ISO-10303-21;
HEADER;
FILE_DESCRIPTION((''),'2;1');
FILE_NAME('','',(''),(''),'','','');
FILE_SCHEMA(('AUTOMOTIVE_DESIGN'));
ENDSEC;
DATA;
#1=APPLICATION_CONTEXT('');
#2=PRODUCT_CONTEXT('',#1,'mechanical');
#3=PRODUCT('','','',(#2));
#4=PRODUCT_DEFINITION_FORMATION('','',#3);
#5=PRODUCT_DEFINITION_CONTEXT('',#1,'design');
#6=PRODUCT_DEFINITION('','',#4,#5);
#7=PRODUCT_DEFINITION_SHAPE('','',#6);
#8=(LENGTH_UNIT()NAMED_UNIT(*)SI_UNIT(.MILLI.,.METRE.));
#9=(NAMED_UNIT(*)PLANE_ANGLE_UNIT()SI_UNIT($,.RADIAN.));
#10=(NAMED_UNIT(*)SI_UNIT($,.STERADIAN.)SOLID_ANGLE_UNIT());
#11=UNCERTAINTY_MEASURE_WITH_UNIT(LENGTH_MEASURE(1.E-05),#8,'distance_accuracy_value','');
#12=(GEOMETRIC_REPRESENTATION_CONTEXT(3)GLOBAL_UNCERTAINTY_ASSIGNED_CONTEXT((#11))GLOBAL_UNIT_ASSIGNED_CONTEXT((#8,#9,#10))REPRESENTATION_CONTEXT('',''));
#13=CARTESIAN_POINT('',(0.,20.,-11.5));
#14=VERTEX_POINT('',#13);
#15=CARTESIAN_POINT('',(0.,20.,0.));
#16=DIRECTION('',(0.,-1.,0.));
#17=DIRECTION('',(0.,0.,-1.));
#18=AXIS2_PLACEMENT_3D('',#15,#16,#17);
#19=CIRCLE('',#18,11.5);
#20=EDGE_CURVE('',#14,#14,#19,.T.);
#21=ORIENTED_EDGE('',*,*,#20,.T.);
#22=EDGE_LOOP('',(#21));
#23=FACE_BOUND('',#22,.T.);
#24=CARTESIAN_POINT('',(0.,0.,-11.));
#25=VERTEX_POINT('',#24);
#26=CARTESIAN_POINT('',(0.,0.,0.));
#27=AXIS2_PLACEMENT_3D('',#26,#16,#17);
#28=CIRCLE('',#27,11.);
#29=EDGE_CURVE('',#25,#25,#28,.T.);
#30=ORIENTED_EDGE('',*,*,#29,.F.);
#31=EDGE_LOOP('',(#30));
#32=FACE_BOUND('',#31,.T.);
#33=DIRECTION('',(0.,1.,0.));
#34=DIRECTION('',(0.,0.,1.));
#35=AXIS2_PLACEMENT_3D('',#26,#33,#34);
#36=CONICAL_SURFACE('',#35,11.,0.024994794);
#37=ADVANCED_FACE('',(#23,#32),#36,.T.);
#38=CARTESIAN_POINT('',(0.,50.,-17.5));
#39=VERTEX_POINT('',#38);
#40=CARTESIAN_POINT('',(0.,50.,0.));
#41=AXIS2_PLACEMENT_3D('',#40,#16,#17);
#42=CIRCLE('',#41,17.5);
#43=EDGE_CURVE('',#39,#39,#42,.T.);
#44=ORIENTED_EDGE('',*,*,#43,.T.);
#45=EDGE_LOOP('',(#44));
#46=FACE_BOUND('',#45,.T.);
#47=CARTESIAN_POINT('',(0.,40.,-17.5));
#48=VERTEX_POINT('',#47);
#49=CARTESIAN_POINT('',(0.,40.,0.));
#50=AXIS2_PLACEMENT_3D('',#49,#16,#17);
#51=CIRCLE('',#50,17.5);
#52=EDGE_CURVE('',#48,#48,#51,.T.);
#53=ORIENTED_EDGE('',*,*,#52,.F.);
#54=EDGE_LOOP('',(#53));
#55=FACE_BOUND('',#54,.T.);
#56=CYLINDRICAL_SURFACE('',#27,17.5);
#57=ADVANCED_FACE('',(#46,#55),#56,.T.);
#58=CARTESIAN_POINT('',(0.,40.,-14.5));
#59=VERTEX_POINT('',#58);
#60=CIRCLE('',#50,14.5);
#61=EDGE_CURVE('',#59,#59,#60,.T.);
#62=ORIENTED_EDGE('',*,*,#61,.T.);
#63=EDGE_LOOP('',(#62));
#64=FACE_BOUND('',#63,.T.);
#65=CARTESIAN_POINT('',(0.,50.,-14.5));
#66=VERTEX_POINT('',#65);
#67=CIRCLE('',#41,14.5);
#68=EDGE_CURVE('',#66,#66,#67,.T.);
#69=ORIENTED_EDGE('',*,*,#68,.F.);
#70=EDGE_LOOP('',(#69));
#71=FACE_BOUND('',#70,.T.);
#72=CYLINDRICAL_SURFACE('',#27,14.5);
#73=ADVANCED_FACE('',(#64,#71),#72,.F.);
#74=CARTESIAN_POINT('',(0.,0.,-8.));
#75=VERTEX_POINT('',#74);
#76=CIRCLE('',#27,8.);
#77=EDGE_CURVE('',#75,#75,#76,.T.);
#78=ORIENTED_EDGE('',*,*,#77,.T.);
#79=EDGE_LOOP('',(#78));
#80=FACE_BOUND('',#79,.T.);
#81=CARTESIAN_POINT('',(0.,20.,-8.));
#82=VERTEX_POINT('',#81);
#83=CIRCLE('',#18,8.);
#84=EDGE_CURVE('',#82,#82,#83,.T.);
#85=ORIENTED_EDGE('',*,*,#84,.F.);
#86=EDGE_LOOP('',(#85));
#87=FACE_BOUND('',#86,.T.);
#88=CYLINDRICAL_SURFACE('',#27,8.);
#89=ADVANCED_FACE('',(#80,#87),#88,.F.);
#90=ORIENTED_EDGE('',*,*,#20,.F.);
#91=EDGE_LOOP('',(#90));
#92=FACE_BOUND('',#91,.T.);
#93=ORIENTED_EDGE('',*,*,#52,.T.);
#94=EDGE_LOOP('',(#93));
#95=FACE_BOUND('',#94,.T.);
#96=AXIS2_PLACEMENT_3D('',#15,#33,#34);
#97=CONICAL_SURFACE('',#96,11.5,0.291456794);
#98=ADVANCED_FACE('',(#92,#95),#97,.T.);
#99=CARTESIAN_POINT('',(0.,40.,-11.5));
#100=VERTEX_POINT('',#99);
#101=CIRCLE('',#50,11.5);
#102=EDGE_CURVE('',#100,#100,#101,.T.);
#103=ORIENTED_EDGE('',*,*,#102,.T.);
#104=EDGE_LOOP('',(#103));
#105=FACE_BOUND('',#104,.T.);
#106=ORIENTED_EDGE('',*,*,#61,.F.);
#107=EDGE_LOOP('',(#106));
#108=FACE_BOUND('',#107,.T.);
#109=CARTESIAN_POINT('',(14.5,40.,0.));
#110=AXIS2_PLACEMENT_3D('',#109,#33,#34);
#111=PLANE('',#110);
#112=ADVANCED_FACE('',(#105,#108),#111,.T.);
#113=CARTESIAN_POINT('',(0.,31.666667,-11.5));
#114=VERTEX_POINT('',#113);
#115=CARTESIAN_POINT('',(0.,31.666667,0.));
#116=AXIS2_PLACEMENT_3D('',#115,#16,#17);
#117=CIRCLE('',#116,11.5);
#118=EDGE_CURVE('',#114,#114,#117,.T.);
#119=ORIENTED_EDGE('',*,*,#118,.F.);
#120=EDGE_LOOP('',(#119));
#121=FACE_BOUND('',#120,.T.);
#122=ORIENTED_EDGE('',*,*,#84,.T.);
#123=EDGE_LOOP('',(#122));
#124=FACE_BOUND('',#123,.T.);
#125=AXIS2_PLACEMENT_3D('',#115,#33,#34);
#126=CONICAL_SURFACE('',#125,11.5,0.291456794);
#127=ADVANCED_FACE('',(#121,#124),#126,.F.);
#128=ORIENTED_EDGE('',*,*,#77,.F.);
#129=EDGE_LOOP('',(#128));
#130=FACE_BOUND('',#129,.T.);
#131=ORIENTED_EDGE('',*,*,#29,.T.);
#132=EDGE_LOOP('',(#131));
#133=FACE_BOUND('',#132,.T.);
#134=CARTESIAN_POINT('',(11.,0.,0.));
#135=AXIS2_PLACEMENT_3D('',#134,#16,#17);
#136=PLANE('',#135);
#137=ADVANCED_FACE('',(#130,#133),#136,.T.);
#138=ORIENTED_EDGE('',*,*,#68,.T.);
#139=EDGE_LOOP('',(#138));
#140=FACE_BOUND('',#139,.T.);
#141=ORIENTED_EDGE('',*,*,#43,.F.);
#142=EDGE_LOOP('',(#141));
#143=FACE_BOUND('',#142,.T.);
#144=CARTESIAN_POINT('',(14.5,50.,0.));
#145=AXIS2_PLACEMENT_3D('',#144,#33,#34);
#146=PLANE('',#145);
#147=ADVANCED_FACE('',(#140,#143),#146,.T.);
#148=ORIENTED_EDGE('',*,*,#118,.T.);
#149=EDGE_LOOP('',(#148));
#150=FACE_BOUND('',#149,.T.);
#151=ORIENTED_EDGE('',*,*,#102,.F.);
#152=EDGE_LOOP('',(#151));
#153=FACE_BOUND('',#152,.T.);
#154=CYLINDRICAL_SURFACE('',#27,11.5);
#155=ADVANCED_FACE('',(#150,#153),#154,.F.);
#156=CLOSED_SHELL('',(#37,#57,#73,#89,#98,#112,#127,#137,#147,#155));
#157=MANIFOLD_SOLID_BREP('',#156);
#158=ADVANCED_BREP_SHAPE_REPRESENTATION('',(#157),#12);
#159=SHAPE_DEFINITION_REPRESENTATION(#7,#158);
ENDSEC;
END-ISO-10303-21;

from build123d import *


with BuildPart() as part:
    # Sketch1 → Revolve1 (revolve)
    with BuildSketch(Plane.XY, mode=Mode.PRIVATE) as revolve1_sk:
        Polygon((14.5, 40), (14.5, 50), (17.5, 50), (17.5, 40), (11.5, 20), (11, 0), (8, 0), (8, 20), (11.5, 31.666666667), (11.5, 40), align=None)
    revolve(revolve1_sk.sketch.rotate(Axis((0, 0, 0), (0, 1, 0)), 90), axis=Axis((0, 0, 0), (0, 1, 0)))


solid = part.part
